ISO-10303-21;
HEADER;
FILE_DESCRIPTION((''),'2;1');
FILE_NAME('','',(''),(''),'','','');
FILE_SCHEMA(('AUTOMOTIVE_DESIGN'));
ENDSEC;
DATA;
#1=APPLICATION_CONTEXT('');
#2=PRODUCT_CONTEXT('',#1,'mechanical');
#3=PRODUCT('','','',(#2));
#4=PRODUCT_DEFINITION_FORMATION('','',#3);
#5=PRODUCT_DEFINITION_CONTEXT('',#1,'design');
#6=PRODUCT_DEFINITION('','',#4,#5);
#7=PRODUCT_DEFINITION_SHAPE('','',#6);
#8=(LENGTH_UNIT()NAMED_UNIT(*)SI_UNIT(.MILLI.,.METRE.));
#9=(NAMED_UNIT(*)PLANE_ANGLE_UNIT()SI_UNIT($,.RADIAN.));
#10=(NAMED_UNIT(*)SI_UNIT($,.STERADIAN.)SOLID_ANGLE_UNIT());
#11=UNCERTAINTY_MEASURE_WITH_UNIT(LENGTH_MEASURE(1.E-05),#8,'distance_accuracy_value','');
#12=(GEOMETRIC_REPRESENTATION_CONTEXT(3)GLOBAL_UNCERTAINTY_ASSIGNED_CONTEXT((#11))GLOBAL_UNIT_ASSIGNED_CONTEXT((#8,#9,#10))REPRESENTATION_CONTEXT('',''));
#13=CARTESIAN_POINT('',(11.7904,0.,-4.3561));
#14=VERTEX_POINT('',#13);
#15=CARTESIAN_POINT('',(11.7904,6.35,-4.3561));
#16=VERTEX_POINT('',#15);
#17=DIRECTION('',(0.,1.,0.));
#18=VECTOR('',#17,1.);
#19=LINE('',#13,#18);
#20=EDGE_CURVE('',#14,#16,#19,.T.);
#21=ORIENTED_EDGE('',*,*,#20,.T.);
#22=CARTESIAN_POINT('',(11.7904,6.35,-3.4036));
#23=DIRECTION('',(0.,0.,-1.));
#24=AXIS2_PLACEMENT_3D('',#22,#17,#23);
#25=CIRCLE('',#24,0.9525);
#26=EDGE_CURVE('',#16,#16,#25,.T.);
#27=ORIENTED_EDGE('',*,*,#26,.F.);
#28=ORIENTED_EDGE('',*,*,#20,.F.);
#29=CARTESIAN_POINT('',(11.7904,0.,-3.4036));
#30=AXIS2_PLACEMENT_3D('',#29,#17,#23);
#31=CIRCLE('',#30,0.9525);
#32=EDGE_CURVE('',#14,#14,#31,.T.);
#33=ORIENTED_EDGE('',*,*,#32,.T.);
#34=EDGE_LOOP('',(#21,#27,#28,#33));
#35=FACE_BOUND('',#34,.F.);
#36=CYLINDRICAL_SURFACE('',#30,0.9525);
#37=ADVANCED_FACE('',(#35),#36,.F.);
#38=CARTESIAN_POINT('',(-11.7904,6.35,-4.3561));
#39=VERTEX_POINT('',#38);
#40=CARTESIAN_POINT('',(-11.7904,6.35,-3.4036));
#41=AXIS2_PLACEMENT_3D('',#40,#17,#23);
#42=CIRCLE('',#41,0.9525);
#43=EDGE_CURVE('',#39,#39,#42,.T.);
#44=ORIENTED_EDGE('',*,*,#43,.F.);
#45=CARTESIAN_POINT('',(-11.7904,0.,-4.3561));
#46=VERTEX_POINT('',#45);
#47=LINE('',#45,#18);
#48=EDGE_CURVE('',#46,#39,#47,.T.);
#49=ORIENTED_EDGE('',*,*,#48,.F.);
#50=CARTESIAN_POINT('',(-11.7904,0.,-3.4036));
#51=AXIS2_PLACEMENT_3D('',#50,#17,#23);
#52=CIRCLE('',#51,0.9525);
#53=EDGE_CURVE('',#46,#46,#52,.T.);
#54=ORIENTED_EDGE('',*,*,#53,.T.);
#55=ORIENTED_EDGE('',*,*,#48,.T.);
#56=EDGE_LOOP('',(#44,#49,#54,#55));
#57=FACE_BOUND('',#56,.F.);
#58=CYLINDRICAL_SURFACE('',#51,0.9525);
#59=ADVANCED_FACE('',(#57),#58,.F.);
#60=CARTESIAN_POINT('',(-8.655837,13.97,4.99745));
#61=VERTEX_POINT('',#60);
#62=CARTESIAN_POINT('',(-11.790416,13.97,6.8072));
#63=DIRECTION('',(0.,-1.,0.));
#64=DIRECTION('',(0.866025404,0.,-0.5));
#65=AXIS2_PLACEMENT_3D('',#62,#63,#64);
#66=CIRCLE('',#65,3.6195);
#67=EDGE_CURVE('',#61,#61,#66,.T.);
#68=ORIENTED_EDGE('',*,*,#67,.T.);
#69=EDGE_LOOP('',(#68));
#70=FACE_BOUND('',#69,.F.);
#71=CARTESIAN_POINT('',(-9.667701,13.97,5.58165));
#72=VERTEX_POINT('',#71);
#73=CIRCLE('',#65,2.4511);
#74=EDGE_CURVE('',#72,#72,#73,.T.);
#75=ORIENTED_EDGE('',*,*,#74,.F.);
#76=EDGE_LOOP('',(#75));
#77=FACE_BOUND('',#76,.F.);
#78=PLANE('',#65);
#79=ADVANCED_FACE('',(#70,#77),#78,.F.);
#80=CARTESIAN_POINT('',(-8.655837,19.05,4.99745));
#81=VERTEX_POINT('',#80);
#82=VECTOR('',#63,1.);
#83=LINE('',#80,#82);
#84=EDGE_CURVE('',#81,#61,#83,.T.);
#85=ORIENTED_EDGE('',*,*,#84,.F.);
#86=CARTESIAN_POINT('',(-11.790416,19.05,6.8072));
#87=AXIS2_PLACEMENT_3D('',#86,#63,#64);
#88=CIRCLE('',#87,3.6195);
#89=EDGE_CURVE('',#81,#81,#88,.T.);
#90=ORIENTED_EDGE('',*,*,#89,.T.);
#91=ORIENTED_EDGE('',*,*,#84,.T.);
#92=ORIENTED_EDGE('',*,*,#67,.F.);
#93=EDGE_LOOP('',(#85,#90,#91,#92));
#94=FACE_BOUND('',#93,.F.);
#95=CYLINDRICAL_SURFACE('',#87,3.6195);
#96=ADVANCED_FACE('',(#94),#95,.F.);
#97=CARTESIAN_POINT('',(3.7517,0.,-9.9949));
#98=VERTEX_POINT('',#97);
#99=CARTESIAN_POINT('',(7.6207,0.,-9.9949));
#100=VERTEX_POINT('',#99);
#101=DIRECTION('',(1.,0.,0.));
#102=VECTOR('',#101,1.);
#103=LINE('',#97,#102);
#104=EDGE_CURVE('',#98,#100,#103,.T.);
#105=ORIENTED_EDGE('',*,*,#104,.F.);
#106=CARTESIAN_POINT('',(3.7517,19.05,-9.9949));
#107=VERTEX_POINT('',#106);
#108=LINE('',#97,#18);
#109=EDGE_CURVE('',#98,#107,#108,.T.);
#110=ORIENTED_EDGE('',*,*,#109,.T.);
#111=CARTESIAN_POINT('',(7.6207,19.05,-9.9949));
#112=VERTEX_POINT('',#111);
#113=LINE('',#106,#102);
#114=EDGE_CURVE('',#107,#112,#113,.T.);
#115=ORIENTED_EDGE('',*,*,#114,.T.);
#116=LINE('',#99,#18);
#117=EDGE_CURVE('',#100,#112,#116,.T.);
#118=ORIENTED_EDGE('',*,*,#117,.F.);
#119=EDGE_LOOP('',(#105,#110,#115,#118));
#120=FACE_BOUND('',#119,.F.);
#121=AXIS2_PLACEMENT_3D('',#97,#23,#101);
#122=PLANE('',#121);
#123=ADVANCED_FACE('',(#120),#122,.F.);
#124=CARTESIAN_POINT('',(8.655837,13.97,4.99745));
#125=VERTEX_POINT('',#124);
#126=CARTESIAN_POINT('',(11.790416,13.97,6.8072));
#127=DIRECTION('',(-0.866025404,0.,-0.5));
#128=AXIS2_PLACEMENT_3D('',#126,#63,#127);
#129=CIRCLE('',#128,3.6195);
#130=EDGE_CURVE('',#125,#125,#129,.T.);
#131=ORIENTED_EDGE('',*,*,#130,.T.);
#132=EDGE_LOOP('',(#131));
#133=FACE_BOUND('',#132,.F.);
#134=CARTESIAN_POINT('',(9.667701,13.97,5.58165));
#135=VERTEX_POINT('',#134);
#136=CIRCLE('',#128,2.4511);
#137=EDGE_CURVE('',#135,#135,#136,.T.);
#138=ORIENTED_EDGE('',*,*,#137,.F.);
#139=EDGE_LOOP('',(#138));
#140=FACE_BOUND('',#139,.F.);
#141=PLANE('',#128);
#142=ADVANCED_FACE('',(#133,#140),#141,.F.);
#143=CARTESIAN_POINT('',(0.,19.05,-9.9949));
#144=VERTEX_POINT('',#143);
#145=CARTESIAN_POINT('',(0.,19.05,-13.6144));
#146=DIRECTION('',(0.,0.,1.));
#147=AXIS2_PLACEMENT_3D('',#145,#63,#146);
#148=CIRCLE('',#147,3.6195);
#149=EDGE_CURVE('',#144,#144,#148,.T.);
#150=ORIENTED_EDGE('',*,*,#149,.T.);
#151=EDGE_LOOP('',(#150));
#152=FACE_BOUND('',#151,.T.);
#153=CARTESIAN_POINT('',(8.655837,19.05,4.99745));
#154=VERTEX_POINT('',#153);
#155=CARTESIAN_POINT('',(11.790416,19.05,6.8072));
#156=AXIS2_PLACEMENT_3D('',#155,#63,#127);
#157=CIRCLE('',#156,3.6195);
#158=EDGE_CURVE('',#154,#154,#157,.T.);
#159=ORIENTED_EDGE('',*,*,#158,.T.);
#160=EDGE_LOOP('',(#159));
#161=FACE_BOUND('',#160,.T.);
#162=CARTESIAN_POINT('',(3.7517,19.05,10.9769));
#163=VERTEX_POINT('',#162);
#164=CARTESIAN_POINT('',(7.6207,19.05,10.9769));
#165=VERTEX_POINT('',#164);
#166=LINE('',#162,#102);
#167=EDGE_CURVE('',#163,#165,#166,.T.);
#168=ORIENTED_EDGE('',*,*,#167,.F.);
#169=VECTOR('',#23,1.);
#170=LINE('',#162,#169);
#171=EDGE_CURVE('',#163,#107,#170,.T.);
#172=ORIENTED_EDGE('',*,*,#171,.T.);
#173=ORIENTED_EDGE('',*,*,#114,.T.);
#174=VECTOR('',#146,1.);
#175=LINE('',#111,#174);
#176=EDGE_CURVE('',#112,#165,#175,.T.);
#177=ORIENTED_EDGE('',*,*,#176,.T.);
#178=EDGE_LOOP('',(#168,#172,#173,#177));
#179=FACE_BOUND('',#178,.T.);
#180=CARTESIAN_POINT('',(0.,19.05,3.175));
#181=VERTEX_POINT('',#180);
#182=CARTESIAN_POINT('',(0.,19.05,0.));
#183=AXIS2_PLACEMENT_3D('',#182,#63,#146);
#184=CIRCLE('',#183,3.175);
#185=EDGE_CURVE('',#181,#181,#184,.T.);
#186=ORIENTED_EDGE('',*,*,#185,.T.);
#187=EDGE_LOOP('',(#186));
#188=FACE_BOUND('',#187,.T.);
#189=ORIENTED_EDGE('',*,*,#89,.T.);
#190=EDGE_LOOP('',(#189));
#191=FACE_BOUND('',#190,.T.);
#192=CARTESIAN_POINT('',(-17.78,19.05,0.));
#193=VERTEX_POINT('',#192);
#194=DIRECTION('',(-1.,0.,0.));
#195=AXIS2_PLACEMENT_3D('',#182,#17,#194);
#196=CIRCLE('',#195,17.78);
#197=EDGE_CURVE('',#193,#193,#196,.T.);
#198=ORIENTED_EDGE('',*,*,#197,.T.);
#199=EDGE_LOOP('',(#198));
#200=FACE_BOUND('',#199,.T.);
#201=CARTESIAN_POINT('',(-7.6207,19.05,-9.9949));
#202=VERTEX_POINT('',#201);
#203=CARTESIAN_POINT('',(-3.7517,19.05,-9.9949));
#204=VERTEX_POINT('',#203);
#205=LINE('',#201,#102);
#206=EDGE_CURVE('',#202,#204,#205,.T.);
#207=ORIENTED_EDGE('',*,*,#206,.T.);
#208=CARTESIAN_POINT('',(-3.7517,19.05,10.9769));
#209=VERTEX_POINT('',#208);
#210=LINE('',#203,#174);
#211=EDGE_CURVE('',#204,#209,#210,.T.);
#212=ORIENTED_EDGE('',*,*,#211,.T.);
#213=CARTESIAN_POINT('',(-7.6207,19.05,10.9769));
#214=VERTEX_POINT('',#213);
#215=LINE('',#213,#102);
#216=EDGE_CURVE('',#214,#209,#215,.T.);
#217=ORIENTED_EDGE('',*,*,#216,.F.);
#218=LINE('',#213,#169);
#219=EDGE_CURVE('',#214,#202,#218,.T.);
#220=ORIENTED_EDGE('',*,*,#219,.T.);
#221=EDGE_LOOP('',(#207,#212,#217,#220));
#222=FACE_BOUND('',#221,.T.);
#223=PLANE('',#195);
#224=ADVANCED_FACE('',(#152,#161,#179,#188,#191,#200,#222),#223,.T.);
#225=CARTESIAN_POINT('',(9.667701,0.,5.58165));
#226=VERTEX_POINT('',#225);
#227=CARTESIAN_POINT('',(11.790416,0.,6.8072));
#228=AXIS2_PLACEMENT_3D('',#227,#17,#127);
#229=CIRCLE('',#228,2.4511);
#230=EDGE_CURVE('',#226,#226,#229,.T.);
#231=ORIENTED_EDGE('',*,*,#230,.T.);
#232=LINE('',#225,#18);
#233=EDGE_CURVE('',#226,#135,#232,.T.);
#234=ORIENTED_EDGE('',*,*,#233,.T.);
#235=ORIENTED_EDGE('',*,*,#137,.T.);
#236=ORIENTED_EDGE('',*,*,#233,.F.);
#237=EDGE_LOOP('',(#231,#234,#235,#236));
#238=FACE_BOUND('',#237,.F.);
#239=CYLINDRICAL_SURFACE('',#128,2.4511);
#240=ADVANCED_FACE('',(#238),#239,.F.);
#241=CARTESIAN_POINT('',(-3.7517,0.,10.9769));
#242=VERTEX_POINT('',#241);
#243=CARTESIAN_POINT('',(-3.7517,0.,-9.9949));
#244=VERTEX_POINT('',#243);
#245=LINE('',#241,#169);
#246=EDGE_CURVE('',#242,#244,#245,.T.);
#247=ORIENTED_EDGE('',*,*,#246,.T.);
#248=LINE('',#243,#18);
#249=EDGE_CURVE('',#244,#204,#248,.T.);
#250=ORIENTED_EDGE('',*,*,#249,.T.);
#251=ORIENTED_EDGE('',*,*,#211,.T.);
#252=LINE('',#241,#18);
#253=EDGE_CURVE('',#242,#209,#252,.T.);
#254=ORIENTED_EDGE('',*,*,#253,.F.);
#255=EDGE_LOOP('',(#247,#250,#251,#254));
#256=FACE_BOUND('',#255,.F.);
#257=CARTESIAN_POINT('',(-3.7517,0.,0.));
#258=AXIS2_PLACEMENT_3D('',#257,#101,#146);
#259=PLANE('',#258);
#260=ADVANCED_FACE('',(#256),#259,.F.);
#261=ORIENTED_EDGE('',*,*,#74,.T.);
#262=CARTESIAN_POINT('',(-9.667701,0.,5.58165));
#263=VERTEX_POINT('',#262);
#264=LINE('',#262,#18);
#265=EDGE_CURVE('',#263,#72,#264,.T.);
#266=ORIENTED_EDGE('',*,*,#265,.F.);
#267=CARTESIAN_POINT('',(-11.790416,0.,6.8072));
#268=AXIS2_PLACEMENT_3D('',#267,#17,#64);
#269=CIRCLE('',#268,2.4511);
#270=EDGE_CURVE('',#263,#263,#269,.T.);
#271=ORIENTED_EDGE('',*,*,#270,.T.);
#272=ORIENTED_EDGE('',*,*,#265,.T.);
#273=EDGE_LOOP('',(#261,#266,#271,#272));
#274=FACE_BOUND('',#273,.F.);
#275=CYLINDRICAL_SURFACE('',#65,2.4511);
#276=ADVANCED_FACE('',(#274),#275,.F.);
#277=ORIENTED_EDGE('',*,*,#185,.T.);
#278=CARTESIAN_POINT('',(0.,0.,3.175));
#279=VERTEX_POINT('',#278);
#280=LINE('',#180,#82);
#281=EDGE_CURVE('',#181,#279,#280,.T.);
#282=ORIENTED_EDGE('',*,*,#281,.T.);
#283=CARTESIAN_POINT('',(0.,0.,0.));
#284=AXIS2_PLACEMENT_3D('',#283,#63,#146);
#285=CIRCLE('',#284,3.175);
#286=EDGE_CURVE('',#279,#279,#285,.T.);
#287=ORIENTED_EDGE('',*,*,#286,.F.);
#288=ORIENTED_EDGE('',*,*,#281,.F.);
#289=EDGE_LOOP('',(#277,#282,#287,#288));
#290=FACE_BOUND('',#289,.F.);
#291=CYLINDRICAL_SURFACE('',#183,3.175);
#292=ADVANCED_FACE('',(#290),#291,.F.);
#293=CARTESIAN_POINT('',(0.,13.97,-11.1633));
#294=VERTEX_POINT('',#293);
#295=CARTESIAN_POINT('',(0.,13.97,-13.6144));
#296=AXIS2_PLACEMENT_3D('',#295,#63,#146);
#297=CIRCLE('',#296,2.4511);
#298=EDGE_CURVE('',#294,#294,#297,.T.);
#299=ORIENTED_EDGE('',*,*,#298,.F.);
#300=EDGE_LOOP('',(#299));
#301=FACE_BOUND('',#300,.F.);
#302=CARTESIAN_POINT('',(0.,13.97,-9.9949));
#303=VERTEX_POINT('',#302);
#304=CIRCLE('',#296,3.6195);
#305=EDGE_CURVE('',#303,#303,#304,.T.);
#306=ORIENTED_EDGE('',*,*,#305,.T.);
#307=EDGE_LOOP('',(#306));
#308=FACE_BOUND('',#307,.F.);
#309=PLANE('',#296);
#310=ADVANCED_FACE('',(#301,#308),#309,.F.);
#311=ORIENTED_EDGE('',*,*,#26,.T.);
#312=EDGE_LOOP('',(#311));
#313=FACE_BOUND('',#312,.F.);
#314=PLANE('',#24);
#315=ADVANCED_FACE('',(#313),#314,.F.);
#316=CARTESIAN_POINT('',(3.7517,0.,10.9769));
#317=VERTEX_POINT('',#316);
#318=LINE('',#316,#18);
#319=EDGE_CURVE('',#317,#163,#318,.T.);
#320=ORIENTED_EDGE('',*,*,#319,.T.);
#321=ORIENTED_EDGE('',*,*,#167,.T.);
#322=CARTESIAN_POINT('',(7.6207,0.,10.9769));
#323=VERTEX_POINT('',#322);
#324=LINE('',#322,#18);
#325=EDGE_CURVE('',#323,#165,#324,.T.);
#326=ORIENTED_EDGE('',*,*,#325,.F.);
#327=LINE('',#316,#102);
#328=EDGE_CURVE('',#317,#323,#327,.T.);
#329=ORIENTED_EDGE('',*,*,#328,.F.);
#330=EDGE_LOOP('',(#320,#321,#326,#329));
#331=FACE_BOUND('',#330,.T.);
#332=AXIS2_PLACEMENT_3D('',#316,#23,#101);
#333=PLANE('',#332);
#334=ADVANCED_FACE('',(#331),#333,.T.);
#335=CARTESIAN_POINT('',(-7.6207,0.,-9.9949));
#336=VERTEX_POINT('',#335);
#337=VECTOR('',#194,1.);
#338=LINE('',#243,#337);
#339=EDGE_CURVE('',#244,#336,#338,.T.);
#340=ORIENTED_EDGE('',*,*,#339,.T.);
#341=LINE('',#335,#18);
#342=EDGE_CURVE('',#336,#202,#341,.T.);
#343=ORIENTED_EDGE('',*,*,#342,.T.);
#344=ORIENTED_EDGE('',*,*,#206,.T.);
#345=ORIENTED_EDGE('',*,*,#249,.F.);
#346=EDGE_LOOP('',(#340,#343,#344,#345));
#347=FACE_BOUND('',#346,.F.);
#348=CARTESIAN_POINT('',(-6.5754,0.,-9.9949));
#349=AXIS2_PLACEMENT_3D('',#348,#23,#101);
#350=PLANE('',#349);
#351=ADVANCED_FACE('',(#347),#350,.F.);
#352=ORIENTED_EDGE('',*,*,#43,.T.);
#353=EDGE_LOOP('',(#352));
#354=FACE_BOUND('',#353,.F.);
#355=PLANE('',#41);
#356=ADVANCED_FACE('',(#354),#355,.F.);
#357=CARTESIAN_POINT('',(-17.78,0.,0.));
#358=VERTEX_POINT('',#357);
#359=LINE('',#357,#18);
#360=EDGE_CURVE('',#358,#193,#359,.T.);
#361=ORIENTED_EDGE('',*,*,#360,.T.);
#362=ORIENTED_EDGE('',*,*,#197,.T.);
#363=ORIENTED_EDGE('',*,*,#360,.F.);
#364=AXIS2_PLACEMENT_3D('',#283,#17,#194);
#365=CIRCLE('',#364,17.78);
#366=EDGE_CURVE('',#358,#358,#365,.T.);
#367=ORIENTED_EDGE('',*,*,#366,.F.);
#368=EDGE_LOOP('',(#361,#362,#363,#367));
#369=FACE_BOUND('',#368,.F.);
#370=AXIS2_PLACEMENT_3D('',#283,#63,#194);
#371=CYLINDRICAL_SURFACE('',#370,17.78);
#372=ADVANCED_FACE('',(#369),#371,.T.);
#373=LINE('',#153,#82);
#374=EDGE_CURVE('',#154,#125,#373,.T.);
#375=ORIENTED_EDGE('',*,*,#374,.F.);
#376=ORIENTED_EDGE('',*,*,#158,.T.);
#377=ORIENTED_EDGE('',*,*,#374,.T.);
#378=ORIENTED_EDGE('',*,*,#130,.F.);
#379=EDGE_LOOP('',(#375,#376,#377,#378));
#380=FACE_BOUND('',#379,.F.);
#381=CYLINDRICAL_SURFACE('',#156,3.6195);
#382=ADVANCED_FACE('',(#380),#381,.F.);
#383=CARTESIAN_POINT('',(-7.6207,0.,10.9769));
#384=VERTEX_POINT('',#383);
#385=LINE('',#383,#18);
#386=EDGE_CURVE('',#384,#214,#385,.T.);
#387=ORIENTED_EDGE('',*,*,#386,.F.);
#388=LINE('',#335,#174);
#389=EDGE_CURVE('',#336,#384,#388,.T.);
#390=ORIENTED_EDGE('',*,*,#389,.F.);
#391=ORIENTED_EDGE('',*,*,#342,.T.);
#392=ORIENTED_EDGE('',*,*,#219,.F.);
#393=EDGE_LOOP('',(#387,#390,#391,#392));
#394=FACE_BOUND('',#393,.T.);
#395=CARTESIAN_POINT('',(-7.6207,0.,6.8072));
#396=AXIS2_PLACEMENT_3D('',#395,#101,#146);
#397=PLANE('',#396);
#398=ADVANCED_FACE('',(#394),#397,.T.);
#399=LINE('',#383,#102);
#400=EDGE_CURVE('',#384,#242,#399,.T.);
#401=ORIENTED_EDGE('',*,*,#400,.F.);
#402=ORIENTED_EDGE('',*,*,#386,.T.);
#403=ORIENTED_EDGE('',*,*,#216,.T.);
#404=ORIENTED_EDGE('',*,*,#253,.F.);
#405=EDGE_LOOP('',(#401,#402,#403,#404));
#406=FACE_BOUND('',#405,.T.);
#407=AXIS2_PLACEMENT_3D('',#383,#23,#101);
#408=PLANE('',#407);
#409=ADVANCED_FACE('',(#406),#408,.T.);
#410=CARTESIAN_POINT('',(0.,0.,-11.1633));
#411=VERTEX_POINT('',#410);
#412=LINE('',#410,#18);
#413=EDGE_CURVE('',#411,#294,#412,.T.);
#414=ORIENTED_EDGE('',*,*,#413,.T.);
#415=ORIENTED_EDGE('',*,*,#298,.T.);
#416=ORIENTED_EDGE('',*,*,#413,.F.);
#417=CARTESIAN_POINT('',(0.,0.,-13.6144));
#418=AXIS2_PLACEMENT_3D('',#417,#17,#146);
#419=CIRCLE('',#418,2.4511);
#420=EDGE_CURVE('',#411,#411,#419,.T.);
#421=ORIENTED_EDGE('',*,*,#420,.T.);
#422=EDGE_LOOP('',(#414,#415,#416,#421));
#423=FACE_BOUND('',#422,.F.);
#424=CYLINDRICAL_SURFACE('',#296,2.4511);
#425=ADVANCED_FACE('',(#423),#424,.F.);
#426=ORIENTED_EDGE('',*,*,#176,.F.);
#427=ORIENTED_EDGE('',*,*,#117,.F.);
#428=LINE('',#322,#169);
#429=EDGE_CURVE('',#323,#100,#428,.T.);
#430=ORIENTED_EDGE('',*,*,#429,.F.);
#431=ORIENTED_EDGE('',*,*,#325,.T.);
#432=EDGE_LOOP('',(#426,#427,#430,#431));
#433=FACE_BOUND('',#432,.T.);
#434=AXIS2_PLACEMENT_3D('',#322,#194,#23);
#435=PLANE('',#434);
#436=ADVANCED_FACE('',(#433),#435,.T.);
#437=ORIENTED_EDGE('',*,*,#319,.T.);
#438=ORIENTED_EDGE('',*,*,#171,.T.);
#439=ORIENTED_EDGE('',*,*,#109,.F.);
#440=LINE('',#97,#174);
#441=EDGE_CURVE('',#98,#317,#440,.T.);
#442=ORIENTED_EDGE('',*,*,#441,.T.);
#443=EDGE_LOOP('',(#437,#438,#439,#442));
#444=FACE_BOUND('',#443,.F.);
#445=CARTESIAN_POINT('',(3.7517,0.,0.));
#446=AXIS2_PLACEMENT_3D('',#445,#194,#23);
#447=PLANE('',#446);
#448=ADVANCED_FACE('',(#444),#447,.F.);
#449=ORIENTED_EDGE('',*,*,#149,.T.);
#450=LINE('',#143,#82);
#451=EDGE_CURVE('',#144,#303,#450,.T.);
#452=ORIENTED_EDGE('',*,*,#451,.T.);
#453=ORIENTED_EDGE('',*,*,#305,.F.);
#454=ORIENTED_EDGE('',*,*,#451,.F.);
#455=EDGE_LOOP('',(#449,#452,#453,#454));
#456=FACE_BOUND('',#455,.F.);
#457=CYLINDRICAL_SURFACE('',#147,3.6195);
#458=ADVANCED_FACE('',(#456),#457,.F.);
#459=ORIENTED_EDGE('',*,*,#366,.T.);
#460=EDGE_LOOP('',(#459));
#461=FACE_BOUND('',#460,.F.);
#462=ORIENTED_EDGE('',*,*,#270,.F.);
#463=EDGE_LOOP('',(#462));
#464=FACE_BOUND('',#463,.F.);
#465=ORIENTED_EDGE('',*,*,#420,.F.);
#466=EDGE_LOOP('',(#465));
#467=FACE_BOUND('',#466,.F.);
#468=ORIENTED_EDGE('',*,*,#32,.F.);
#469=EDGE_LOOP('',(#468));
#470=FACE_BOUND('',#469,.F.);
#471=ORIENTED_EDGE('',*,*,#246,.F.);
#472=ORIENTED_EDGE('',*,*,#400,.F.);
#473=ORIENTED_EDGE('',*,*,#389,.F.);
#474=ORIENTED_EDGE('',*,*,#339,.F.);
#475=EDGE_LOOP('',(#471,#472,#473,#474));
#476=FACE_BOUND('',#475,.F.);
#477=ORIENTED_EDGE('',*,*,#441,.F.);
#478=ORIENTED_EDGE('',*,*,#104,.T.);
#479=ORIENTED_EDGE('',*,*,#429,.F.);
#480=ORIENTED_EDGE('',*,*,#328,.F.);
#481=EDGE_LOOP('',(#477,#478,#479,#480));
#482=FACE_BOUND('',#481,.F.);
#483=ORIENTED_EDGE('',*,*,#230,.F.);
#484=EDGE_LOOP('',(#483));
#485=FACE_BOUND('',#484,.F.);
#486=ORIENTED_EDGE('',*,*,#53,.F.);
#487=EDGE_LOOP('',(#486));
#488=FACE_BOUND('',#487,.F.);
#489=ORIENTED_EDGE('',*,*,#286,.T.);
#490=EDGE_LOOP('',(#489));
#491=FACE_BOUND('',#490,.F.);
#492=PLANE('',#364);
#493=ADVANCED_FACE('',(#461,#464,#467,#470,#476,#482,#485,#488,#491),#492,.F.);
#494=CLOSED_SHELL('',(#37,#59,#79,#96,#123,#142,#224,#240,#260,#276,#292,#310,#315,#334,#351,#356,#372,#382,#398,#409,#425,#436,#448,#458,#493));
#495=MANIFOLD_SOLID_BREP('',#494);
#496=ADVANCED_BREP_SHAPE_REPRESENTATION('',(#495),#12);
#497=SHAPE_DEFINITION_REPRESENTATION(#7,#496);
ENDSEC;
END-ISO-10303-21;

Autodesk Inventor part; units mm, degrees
ref_plane "YZ Plane" through (0, 0, 0) normal (1, 0, 0) x (0, 1, 0)
ref_plane "XZ Plane" through (0, 0, 0) normal (0, 1, 0) x (-1, 0, 0)
ref_plane "XY Plane" through (0, 0, 0) normal (0, 0, 1) x (1, 0, 0)
sketch "Sketch1" plane through (0, 0, 0) normal (0, 1, 0) x (-1, 0, 0)
  line L0 (0, 0) -> (13.6144, 0)
  circle A0 centre (0, 0) radius 17.78
  dimension "d0" = 13.6144
  dimension "d1" = 35.56
extrude "Extrusion1" add sketch "Sketch1" along normal blind 19.05
sketch "Sketch3" plane through (0, 19.05, 0) normal (0, 1, 0) x (1, 0, 0)
  line L0 (0, 0) -> (0, 13.6144)
  line L1 (0, 0) -> (13.6144, 0) construction
  dimension "d4" = 13.6144
  dimension "d5" = 90
hole "Hole1" at (0, 19.05, -13.6144) direction (0, -1, 0) diameter 4.9022 end through all counterbore diameter 7.239 counterbore depth 5.08
sketch "Sketch4" plane through (0, 0, 0) normal (0, -1, 0) x (1, 0, 0)
  circle A0 centre (0, -13.6144) radius 2.4511 projected
  line L0 (0, 0) -> (0, -13.6144)
hole "Hole2" at (0, 0, -13.6144) direction (0, 1, 0) diameter 4.9022 depth 6.35
pattern_circular "Circular Pattern1" count 3 over 360 about axis through (0, 0, 0) along (0, 1, 0) of "Hole1", "Hole2"
sketch "Sketch6" plane through (0, 19.05, 0) normal (0, 1, 0) x (1, 0, 0)
  point P0 (0, 0)
  point P1 (0, 0)
hole "Hole3" at (0, 19.05, 0) direction (0, -1, 0) diameter 6.35 end through all
sketch "Sketch18" plane through (0, 0, 0) normal (0, -1, 0) x (1, 0, 0)
  circle A0 centre (-11.7904, 6.8072) radius 2.4511 projected
  circle A1 centre (-11.7904, 6.8072) radius 4.1697
  circle A2 centre (0, 0) radius 3.7517
  line L0 (-7.6207, 6.8072) -> (-7.6207, -16.064)
  circle A3 centre (0, 0) radius 17.78 projected
  line L1 (-7.6207, 6.8072) -> (-7.6207, 16.064)
  line L2 (-3.7517, 0) -> (-3.7517, -17.4687)
  line L3 (-3.7517, -17.4687) -> (-3.7517, 17.2429)
  circle A4 centre (11.7904, 6.8072) radius 2.4511 projected
  circle A5 centre (11.7904, 6.8072) radius 4.1697
  line L4 (7.6207, 6.8072) -> (7.6207, -16.064)
  line L5 (7.6207, 16.064) -> (7.6207, 6.8072)
  line L6 (-7.6207, 10.9769) -> (-3.7517, 10.9769)
  line L7 (-6.9141, -9.9949) -> (-3.7517, -9.9949)
  line L8 (-7.6207, -9.9949) -> (-6.5754, -9.9949)
  line L9 (3.7517, 10.9769) -> (7.6207, 10.9769)
  line L10 (3.7517, -9.9949) -> (7.6207, -9.9949)
  line L11 (0, 0) -> (3.7517, 0)
  line L12 (3.7517, 0) -> (3.7517, 10.8227)
  line L13 (3.7517, 10.8227) -> (3.7517, -9.9949)
  line L14 (3.7517, 10.8227) -> (3.7517, 10.9769)
  line L15 (7.6207, 10.9769) -> (3.7517, 10.9769)
  point P0 (3.7517, 0)
extrude "Extrusion6" cut sketch "Sketch18" against normal blind 19.05 contours L1 L6 L3 L2 L7 L8 L0 | L5 L4 L10 L13 L12 L14 L9
sketch "Sketch21" plane through (0, 0, 0) normal (0, -1, 0) x (1, 0, 0)
  circle A0 centre (11.7904, 6.8072) radius 2.4511 projected
  circle A1 centre (0, -13.6144) radius 2.4511 projected
  line L0 (11.7904, 6.8072) -> (0, -13.6144)
  circle A2 centre (-11.7904, 6.8072) radius 2.4511 projected
  line L1 (0, -13.6144) -> (-11.7904, 6.8072)
  line L2 (-11.7904, 6.8072) -> (11.7904, 6.8072)
  line L3 (11.7904, 6.8072) -> (11.7904, -13.6144)
  line L4 (11.7904, -13.6144) -> (0, -13.6144)
  line L5 (0, -13.6144) -> (-11.7904, -13.6144)
  line L6 (-11.7904, -13.6144) -> (-11.7904, 6.8072)
  circle A3 centre (11.7904, -3.4036) radius 0.635
  circle A4 centre (-11.7904, -3.4036) radius 0.635
  point P0 (0, 0)
  dimension "d68" = 1.27
hole "Hole6" at (-11.7904, 0, -3.4036) at (11.7904, 0, -3.4036) direction (0, 1, 0) diameter 1.905 depth 6.35
properties part number "table"
